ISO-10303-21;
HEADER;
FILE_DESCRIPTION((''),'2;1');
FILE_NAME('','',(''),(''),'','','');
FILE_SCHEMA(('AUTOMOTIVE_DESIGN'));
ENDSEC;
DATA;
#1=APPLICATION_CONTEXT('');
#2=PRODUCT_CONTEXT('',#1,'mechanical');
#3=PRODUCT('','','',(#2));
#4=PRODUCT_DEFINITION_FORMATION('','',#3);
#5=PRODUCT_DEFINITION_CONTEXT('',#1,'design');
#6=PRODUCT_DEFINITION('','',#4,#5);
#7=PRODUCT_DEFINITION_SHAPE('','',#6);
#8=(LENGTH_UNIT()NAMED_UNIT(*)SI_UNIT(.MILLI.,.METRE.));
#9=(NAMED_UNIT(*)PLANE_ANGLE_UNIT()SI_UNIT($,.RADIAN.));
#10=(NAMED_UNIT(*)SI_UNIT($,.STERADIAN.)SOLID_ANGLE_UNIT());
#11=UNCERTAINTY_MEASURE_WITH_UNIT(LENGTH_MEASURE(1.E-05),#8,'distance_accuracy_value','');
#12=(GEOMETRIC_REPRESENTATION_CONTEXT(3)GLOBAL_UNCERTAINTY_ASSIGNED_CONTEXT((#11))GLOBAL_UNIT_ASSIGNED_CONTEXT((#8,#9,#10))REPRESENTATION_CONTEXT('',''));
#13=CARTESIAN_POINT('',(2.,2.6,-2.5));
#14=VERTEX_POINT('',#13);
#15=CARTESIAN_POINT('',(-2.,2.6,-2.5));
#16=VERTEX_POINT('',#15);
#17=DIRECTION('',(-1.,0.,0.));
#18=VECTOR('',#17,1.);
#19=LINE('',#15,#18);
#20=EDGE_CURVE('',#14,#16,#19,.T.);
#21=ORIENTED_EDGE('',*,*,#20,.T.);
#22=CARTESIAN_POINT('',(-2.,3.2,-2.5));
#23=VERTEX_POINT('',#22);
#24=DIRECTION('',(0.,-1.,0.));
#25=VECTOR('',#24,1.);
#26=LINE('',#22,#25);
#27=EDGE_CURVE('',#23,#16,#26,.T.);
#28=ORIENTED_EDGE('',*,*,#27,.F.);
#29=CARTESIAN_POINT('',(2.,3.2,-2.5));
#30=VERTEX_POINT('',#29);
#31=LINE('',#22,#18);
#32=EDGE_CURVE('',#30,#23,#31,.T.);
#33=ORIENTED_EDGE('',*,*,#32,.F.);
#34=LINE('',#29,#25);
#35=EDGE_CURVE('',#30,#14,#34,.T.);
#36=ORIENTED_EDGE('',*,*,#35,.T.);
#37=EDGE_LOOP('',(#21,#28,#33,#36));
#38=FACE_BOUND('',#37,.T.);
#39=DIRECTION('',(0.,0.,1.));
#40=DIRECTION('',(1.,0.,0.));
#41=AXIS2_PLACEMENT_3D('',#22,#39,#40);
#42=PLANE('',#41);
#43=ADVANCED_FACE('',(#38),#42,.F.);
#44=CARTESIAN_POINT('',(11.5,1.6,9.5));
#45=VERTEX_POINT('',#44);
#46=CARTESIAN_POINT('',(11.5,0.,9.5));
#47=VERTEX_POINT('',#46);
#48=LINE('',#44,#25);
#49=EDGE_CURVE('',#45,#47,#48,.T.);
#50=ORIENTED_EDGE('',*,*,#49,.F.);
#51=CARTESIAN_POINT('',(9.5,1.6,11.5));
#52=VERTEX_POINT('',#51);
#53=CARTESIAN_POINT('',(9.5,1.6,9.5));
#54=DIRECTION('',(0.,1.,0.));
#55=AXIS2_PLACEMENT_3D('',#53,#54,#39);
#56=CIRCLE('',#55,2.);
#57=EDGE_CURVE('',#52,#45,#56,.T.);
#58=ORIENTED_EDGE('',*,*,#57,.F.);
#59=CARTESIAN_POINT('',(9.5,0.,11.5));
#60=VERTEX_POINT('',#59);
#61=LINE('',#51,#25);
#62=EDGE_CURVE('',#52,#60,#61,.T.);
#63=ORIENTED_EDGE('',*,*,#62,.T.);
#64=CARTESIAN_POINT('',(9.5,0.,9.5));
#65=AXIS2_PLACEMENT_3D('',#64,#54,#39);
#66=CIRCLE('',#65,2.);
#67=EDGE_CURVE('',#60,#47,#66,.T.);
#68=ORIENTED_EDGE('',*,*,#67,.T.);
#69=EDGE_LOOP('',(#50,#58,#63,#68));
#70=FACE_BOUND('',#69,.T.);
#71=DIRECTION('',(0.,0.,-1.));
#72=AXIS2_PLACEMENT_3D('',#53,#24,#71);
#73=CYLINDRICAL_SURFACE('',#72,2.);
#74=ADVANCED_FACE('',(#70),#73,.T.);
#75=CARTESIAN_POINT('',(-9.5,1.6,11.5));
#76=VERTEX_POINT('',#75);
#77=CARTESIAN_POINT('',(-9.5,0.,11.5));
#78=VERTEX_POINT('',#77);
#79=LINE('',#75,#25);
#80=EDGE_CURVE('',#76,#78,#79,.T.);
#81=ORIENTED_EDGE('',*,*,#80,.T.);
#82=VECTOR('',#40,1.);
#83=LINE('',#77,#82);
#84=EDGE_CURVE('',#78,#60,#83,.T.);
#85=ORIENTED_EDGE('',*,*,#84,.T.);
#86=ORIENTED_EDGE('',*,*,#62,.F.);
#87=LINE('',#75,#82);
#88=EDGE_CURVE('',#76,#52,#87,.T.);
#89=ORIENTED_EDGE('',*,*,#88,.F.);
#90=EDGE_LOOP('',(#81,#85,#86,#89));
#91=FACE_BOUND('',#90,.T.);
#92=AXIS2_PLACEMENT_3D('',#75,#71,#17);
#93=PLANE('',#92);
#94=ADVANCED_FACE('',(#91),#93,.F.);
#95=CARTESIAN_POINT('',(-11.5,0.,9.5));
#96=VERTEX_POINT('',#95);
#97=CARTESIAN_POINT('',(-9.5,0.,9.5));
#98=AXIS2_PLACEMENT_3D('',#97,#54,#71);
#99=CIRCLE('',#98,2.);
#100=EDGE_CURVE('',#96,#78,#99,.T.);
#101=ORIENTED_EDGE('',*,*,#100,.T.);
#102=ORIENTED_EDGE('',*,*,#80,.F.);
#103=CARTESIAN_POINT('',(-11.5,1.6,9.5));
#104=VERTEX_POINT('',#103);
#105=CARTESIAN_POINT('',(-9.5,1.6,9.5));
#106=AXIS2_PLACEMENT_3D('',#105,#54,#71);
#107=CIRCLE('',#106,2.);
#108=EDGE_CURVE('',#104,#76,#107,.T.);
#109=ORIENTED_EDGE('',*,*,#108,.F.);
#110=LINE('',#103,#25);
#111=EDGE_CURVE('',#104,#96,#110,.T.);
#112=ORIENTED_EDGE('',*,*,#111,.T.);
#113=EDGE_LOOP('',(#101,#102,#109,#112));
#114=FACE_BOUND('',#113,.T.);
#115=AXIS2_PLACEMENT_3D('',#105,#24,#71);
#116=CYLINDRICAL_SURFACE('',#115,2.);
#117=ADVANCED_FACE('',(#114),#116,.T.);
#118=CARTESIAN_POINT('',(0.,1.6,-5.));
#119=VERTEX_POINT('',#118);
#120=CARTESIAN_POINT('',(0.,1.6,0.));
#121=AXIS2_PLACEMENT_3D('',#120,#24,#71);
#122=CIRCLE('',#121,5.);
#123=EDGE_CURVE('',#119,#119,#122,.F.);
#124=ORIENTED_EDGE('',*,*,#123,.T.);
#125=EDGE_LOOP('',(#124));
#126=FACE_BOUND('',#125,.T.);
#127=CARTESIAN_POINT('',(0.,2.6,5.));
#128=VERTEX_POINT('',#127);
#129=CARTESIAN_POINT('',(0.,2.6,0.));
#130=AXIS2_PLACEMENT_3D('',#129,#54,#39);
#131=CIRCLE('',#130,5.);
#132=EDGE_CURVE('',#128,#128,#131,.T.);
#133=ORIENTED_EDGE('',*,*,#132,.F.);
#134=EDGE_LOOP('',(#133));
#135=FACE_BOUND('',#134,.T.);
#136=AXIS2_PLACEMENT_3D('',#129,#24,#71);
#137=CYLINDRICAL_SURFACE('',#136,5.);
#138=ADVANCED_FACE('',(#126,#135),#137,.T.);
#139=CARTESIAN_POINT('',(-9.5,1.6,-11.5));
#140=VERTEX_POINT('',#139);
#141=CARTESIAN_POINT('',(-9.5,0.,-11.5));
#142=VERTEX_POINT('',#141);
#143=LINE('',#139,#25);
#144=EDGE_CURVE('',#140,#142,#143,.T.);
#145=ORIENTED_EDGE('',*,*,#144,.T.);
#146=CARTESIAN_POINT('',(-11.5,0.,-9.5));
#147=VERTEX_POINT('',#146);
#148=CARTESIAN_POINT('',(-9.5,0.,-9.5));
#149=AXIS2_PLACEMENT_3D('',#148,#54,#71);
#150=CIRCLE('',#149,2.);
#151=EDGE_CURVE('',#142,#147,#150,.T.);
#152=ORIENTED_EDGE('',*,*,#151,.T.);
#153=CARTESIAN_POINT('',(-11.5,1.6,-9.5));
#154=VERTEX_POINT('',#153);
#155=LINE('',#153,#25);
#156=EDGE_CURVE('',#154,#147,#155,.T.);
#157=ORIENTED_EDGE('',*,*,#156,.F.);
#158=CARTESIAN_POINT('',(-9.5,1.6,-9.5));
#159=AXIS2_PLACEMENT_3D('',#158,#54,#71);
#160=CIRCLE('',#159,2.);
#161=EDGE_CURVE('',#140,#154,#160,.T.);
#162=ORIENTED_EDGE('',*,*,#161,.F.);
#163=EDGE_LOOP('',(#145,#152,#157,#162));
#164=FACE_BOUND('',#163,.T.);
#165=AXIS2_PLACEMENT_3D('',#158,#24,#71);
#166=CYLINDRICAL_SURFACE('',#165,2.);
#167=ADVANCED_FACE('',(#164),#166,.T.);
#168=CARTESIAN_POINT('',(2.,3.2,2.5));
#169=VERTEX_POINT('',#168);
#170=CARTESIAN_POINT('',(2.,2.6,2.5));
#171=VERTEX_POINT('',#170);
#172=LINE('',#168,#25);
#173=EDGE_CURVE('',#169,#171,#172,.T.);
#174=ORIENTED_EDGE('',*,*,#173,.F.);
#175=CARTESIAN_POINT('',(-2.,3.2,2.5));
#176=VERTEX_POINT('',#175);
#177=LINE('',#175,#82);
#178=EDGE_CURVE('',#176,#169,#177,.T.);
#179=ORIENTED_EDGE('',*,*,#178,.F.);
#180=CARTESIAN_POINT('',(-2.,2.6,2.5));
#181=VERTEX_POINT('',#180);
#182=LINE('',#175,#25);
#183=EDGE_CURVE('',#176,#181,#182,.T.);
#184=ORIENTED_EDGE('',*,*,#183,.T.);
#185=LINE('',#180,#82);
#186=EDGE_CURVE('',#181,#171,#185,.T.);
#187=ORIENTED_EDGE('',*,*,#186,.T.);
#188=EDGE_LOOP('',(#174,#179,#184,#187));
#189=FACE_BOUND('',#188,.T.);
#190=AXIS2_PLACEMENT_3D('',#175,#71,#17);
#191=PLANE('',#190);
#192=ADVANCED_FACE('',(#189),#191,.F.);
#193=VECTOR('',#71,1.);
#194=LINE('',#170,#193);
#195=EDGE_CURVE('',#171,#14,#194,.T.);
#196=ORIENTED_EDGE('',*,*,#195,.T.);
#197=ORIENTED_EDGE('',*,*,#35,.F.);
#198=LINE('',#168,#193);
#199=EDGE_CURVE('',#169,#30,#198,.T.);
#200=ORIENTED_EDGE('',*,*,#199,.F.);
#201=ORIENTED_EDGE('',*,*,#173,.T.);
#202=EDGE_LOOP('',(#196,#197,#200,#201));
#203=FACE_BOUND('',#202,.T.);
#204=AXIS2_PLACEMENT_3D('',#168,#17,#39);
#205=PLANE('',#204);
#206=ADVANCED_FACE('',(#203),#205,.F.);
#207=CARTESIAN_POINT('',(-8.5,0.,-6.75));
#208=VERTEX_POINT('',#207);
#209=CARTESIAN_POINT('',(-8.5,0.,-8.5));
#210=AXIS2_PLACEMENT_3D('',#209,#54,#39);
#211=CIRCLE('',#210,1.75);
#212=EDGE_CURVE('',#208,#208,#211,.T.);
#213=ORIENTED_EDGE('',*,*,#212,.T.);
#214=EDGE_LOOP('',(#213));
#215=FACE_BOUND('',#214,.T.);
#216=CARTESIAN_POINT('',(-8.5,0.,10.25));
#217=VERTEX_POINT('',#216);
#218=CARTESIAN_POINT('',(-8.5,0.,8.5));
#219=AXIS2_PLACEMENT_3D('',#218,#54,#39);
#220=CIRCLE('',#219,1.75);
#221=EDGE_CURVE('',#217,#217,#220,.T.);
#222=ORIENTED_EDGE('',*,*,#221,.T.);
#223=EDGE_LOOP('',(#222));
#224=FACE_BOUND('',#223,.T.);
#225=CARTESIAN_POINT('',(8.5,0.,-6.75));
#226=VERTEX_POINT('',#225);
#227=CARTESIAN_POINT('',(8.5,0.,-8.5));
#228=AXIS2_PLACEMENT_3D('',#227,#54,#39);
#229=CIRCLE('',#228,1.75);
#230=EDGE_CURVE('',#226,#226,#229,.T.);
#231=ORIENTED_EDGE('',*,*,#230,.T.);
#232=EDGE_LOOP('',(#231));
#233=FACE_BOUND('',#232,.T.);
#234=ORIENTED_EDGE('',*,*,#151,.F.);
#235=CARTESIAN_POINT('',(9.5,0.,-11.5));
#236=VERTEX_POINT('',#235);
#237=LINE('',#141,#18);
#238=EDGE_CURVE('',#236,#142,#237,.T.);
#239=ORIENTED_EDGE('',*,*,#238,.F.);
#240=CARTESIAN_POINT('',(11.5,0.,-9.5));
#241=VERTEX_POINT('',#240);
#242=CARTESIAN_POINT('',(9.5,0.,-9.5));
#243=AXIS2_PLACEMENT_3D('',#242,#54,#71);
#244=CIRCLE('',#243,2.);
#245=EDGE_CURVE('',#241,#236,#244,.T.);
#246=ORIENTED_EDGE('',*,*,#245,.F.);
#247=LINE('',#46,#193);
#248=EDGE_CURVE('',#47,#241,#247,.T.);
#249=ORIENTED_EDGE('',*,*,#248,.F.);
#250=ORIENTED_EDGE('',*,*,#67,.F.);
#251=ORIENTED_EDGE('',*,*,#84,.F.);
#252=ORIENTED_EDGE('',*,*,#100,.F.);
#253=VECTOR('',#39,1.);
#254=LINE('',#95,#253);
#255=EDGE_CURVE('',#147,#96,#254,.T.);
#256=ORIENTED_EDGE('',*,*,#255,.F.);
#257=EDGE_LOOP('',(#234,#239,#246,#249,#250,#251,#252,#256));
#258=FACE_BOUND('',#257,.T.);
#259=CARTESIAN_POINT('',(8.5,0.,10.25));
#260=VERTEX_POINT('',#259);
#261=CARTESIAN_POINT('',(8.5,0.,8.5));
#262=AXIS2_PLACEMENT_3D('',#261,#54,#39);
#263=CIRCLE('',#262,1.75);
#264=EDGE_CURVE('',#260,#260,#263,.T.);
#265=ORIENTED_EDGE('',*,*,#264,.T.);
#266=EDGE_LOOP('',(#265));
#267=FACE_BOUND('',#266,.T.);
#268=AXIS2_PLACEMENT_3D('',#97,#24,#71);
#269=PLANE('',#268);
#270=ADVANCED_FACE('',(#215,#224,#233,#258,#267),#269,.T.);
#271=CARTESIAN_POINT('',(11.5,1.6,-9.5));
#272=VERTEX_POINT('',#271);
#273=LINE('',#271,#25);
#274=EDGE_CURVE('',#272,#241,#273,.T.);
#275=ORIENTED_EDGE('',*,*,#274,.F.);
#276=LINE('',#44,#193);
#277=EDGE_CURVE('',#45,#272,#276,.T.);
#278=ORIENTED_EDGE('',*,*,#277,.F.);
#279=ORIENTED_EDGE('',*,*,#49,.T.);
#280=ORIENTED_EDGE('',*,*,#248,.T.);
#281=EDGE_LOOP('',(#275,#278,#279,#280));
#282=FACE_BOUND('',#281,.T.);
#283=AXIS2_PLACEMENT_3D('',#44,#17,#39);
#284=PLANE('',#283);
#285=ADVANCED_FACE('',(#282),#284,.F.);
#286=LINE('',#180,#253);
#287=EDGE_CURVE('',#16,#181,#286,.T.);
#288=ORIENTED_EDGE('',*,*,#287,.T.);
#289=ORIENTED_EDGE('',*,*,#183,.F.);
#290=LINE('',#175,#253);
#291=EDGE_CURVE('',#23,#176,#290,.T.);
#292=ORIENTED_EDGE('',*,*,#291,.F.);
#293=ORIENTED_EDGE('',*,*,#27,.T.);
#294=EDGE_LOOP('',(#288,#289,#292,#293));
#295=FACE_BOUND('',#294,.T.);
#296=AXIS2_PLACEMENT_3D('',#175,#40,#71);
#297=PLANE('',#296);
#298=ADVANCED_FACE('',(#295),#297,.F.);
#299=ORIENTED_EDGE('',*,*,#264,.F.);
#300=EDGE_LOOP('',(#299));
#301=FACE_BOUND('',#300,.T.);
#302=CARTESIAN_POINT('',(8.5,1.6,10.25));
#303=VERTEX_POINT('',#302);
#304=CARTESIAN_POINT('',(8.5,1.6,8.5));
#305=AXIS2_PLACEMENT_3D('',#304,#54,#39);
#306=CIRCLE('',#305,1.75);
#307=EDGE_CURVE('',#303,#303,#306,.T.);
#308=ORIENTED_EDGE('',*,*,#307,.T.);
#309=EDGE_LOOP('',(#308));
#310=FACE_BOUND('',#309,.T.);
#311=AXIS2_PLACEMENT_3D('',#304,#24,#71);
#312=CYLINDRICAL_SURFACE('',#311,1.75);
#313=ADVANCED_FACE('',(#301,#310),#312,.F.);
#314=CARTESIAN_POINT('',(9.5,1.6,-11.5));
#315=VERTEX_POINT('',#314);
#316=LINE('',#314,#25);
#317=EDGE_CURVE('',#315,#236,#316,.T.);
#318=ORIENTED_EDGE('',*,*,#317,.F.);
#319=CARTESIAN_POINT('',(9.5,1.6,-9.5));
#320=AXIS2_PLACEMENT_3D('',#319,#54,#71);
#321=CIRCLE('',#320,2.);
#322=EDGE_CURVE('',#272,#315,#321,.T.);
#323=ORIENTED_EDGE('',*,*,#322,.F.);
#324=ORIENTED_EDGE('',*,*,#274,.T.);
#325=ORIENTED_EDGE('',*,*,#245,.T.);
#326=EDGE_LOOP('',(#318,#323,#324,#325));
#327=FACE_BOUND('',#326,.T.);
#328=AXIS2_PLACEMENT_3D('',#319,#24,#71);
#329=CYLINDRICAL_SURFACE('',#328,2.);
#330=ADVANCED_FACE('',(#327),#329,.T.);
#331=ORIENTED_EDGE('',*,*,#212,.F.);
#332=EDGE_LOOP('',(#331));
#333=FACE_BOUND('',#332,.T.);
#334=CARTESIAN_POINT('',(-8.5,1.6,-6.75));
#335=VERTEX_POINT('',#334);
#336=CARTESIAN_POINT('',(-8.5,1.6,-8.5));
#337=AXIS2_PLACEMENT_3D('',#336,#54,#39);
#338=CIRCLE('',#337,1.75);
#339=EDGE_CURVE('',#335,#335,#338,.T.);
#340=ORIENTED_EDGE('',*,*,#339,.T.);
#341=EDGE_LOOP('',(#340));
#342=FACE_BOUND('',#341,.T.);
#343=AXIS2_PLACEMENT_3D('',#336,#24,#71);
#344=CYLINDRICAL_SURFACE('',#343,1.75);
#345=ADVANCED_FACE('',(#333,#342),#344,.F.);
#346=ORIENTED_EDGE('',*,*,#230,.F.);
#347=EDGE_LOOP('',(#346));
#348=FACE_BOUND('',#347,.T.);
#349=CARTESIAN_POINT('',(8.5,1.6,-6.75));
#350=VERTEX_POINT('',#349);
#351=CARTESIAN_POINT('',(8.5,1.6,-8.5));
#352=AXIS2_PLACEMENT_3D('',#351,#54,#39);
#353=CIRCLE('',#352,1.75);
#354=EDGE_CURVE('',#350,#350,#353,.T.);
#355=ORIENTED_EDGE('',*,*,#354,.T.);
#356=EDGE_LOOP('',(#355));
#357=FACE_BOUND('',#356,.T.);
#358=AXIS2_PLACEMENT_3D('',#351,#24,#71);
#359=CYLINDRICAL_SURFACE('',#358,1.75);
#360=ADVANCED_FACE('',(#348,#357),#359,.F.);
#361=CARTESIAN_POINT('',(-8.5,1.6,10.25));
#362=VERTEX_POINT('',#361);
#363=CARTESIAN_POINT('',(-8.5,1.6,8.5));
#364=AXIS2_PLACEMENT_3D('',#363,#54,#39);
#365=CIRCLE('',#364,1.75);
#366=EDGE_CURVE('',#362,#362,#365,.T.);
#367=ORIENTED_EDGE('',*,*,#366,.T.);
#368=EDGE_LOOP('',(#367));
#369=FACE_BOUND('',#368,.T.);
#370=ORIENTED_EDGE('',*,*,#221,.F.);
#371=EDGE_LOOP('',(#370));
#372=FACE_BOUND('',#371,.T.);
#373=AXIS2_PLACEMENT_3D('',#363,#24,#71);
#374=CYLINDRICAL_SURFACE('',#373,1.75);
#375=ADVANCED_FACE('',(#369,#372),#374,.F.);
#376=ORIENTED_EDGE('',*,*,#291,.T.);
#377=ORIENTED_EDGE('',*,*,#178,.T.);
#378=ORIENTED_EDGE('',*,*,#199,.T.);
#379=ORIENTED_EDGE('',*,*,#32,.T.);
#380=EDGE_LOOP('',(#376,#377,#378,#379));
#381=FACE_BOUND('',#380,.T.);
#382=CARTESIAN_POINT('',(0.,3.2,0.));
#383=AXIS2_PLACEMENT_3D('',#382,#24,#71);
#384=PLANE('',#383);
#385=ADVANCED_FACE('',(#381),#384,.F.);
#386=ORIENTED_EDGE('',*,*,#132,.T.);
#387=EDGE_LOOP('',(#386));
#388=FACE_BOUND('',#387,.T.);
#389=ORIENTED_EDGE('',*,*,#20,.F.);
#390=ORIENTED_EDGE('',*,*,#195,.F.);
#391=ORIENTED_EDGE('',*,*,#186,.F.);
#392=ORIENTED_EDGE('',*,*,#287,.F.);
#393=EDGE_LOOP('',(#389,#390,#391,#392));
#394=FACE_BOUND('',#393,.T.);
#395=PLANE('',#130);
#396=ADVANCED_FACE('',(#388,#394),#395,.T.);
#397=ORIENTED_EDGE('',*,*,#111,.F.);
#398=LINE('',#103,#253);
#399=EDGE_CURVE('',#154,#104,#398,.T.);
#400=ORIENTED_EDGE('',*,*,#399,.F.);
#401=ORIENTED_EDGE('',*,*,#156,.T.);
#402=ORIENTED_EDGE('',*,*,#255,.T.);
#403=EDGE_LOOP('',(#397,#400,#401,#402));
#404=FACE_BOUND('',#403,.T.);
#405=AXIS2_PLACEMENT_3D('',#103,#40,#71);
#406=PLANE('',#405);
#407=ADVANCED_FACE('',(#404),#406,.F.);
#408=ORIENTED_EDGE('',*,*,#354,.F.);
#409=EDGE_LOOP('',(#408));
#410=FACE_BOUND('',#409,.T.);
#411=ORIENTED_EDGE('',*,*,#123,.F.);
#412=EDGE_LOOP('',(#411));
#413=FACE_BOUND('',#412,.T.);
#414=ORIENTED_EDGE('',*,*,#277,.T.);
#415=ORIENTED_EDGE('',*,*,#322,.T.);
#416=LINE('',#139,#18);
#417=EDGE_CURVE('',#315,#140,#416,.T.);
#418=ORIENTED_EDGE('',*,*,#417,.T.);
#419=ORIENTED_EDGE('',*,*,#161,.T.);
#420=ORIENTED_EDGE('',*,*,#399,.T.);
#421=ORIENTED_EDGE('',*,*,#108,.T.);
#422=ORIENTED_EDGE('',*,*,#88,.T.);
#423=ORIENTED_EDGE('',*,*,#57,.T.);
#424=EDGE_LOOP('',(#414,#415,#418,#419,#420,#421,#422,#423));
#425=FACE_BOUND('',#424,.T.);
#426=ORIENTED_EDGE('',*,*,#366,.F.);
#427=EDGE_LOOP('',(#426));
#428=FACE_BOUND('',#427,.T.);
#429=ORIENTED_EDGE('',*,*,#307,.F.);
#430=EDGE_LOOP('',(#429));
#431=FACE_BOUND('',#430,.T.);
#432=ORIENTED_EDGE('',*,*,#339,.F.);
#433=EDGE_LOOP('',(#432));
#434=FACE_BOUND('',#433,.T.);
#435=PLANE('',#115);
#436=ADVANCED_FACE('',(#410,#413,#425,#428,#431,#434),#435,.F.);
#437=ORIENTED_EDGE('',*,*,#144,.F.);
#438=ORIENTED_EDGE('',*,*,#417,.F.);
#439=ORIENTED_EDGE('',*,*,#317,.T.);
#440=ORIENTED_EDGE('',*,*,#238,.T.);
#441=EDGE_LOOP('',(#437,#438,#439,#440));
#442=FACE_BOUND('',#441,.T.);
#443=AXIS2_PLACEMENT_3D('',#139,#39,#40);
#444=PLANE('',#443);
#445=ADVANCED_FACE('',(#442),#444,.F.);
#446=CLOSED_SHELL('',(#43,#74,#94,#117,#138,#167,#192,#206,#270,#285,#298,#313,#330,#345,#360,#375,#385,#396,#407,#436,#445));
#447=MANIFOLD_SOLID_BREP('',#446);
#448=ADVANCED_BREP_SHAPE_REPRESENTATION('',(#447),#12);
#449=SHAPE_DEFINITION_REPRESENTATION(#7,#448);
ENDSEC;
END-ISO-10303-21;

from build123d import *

# Parameters (mm, degrees)
SKETCH1_R           = 1.75
BOSS_EXTRUDE1_DEPTH = 1.6
SKETCH2_W           = 4
SKETCH2_H           = 5
BOSS_EXTRUDE2_DEPTH = 1.6
SKETCH3_R           = 5
BOSS_EXTRUDE3_DEPTH = 1


with BuildPart() as part:
    # Sketch1 → Boss-Extrude1 (new body)
    with BuildSketch(Plane(origin=(0, 0, 0), x_dir=(1, 0, 0), z_dir=(0, 1, 0))):
        with BuildLine():
            Line((-9.5, -11.5), (9.5, -11.5))
            ThreePointArc((9.5, -11.5), (10.914213562, -10.914213562), (11.5, -9.5))
            Line((11.5, -9.5), (11.5, 9.5))
            ThreePointArc((11.5, 9.5), (10.914213562, 10.914213562), (9.5, 11.5))
            Line((9.5, 11.5), (-9.5, 11.5))
            ThreePointArc((-9.5, 11.5), (-10.914213562, 10.914213562), (-11.5, 9.5))
            Line((-11.5, 9.5), (-11.5, -9.5))
            ThreePointArc((-11.5, -9.5), (-10.914213562, -10.914213562), (-9.5, -11.5))
        make_face()
        with Locations((8.5, 8.5)):
            Circle(SKETCH1_R, mode=Mode.SUBTRACT)
        with Locations((8.5, -8.5)):
            Circle(SKETCH1_R, mode=Mode.SUBTRACT)
        with Locations((-8.5, -8.5)):
            Circle(SKETCH1_R, mode=Mode.SUBTRACT)
        with Locations((-8.5, 8.5)):
            Circle(SKETCH1_R, mode=Mode.SUBTRACT)
    extrude(amount=BOSS_EXTRUDE1_DEPTH)

    # Sketch2 → Boss-Extrude2 (add)
    with BuildSketch(Plane(origin=(0, 1.6, 0), x_dir=(1, 0, 0), z_dir=(0, 1, 0))):
        Rectangle(SKETCH2_W, SKETCH2_H)
    extrude(amount=BOSS_EXTRUDE2_DEPTH)

    # Sketch3 → Boss-Extrude3 (add)
    with BuildSketch(Plane(origin=(0, 1.6, 0), x_dir=(1, 0, 0), z_dir=(0, 1, 0))):
        Circle(SKETCH3_R)
    extrude(amount=BOSS_EXTRUDE3_DEPTH)


solid = part.part
